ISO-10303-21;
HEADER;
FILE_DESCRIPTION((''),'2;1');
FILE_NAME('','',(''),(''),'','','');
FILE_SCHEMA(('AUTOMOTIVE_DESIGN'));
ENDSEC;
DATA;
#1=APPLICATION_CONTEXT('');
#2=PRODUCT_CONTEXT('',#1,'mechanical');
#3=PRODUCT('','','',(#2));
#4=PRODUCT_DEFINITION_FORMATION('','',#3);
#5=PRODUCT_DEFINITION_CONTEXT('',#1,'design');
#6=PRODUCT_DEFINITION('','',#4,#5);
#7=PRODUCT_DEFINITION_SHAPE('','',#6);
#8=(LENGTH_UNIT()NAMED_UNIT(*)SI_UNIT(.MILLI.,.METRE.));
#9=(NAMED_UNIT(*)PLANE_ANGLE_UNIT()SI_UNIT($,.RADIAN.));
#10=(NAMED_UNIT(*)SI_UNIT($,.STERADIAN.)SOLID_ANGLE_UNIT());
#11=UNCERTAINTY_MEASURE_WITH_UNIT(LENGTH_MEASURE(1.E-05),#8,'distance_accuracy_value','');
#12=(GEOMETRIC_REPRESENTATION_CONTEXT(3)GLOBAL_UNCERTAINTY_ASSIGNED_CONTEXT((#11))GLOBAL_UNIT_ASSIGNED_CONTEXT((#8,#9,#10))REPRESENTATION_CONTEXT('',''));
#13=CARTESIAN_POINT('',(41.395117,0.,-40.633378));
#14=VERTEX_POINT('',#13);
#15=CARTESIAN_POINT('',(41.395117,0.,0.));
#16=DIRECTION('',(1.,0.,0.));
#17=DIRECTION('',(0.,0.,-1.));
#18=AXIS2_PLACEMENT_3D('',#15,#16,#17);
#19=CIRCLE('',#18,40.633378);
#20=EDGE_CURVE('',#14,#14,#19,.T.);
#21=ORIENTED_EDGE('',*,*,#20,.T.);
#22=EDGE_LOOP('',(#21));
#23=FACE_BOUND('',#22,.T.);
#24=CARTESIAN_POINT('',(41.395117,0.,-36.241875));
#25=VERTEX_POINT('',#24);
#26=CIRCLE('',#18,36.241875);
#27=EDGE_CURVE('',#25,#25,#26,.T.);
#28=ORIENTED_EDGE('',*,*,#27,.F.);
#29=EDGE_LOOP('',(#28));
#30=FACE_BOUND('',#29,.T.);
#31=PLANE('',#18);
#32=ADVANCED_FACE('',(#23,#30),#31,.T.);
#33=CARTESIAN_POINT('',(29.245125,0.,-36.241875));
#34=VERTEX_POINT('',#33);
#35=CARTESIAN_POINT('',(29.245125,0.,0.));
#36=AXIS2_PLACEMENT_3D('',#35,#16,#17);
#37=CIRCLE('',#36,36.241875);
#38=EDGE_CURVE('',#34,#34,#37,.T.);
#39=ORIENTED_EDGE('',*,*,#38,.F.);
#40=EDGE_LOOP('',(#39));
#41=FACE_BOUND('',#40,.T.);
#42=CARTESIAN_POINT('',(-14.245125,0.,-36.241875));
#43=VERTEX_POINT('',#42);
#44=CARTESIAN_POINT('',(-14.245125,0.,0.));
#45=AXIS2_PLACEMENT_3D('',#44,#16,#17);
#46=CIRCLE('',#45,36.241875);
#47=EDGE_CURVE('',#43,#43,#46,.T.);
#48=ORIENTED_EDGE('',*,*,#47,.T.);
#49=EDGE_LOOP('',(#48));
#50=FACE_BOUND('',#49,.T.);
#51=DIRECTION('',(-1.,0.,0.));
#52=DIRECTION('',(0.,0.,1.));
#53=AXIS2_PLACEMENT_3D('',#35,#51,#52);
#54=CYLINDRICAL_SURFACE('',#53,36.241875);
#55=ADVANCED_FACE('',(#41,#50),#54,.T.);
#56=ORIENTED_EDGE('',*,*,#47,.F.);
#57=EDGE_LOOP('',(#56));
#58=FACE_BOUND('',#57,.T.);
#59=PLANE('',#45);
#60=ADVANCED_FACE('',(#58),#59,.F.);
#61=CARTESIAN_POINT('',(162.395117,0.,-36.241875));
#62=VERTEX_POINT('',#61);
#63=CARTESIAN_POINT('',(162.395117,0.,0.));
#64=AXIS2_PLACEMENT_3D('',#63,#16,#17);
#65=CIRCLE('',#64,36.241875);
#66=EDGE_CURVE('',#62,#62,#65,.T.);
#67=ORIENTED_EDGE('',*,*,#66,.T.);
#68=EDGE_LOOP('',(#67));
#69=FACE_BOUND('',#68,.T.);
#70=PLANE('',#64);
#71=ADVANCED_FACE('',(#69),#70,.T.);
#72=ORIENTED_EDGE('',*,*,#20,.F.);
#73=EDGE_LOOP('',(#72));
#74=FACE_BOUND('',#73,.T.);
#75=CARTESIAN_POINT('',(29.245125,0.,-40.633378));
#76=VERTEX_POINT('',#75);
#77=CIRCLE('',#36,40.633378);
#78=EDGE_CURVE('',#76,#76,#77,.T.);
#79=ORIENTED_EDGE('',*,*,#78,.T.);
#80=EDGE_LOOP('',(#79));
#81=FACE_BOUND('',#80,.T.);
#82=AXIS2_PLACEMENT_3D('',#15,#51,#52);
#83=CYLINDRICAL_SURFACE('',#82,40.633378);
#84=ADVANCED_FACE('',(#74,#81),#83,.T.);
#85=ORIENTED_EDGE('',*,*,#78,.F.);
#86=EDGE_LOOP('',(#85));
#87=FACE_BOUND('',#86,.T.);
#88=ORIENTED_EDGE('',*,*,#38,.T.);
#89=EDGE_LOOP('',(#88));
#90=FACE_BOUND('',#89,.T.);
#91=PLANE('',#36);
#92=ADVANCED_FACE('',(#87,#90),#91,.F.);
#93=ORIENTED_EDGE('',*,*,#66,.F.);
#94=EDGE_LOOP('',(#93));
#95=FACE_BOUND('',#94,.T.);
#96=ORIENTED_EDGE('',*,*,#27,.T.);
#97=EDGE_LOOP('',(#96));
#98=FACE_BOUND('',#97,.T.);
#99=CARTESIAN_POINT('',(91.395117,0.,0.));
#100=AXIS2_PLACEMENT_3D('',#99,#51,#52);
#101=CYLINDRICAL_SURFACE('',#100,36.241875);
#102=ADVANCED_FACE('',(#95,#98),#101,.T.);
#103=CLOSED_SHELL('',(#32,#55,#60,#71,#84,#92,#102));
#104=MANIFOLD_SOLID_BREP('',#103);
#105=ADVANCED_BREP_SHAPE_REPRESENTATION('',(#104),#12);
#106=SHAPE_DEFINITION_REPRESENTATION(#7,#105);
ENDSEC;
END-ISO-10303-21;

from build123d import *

# Parameters (mm, degrees)
SKETCH1_R           = 12.5
BOSS_EXTRUDE1_DEPTH = 15
SCALE1_SCALE        = 1.9329
SCALE2_SCALE        = 1.5
SKETCH3_R           = 40.633377722
BOSS_EXTRUDE2_DEPTH = 12.1499924
SKETCH4_R           = 36.241875
BOSS_EXTRUDE3_DEPTH = 50
SKETCH5_R           = 36.241875
BOSS_EXTRUDE4_DEPTH = 71


with BuildPart() as part:
    # Sketch1 → Boss-Extrude1 (new body)
    with BuildSketch(Plane(origin=(0, 0, 0), x_dir=(0, 0, -1), z_dir=(1, 0, 0))):
        Circle(SKETCH1_R)
    extrude(amount=BOSS_EXTRUDE1_DEPTH)


with BuildPart() as part_1:
    # Scale1: scaled about (7.5, 0, 0)
    add(part.part.scale(SCALE1_SCALE).moved(Location((-6.99675, 0, 0))))


with BuildPart() as part_2:
    # Scale2: scaled about (7.5, 0, 0)
    add(part_1.part.scale(SCALE2_SCALE).moved(Location((-3.75, 0, 0))))

    # Sketch3 → Boss-Extrude2 (add)
    with BuildSketch(Plane(origin=(29.245125, 0, 0), x_dir=(0, 0, -1), z_dir=(1, 0, 0))):
        Circle(SKETCH3_R)
    extrude(amount=BOSS_EXTRUDE2_DEPTH)

    # Sketch4 → Boss-Extrude3 (add)
    with BuildSketch(Plane(origin=(41.3951174, 0, 0), x_dir=(0, 0, -1), z_dir=(1, 0, 0))):
        Circle(SKETCH4_R)
    extrude(amount=BOSS_EXTRUDE3_DEPTH)

    # Sketch5 → Boss-Extrude4 (add)
    with BuildSketch(Plane(origin=(91.3951174, 0, 0), x_dir=(0, 0, -1), z_dir=(1, 0, 0))):
        Circle(SKETCH5_R)
    extrude(amount=BOSS_EXTRUDE4_DEPTH)


solid = part_2.part
